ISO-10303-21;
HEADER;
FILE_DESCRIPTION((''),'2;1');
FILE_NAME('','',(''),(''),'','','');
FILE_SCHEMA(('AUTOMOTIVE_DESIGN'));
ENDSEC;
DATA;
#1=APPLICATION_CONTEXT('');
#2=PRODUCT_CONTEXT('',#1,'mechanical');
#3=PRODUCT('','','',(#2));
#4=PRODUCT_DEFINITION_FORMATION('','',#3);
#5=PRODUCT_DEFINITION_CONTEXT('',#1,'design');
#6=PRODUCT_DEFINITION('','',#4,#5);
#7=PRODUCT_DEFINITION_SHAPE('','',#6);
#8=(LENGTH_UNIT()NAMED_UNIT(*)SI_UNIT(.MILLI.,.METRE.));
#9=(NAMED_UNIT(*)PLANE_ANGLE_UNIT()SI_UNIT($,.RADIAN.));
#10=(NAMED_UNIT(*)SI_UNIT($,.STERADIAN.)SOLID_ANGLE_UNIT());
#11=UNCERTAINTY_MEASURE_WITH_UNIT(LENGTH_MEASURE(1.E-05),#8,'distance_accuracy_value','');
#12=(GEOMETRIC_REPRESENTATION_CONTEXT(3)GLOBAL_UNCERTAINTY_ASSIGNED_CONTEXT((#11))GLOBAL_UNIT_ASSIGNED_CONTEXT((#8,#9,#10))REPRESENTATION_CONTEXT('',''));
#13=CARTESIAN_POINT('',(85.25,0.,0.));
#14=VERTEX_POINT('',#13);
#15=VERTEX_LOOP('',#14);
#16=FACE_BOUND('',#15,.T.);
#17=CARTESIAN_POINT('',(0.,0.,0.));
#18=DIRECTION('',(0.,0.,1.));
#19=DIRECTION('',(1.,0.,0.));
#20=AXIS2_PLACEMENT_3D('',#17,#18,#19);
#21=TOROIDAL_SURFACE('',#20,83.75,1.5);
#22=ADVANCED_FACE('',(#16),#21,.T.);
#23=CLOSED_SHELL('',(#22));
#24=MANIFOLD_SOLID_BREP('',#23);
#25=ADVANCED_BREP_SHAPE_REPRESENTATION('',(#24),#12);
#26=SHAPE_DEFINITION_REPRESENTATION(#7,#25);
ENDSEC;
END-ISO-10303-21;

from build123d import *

# Parameters (mm, degrees)
SKETCH1_R = 1.5


with BuildPart() as part:
    # Sketch1 → Revolve1 (revolve)
    with BuildSketch(Plane.ZY):
        with Locations((0, 83.75)):
            Circle(SKETCH1_R)
    revolve(axis=Axis((0, 0, 0), (0, 0, -1)))


solid = part.part
